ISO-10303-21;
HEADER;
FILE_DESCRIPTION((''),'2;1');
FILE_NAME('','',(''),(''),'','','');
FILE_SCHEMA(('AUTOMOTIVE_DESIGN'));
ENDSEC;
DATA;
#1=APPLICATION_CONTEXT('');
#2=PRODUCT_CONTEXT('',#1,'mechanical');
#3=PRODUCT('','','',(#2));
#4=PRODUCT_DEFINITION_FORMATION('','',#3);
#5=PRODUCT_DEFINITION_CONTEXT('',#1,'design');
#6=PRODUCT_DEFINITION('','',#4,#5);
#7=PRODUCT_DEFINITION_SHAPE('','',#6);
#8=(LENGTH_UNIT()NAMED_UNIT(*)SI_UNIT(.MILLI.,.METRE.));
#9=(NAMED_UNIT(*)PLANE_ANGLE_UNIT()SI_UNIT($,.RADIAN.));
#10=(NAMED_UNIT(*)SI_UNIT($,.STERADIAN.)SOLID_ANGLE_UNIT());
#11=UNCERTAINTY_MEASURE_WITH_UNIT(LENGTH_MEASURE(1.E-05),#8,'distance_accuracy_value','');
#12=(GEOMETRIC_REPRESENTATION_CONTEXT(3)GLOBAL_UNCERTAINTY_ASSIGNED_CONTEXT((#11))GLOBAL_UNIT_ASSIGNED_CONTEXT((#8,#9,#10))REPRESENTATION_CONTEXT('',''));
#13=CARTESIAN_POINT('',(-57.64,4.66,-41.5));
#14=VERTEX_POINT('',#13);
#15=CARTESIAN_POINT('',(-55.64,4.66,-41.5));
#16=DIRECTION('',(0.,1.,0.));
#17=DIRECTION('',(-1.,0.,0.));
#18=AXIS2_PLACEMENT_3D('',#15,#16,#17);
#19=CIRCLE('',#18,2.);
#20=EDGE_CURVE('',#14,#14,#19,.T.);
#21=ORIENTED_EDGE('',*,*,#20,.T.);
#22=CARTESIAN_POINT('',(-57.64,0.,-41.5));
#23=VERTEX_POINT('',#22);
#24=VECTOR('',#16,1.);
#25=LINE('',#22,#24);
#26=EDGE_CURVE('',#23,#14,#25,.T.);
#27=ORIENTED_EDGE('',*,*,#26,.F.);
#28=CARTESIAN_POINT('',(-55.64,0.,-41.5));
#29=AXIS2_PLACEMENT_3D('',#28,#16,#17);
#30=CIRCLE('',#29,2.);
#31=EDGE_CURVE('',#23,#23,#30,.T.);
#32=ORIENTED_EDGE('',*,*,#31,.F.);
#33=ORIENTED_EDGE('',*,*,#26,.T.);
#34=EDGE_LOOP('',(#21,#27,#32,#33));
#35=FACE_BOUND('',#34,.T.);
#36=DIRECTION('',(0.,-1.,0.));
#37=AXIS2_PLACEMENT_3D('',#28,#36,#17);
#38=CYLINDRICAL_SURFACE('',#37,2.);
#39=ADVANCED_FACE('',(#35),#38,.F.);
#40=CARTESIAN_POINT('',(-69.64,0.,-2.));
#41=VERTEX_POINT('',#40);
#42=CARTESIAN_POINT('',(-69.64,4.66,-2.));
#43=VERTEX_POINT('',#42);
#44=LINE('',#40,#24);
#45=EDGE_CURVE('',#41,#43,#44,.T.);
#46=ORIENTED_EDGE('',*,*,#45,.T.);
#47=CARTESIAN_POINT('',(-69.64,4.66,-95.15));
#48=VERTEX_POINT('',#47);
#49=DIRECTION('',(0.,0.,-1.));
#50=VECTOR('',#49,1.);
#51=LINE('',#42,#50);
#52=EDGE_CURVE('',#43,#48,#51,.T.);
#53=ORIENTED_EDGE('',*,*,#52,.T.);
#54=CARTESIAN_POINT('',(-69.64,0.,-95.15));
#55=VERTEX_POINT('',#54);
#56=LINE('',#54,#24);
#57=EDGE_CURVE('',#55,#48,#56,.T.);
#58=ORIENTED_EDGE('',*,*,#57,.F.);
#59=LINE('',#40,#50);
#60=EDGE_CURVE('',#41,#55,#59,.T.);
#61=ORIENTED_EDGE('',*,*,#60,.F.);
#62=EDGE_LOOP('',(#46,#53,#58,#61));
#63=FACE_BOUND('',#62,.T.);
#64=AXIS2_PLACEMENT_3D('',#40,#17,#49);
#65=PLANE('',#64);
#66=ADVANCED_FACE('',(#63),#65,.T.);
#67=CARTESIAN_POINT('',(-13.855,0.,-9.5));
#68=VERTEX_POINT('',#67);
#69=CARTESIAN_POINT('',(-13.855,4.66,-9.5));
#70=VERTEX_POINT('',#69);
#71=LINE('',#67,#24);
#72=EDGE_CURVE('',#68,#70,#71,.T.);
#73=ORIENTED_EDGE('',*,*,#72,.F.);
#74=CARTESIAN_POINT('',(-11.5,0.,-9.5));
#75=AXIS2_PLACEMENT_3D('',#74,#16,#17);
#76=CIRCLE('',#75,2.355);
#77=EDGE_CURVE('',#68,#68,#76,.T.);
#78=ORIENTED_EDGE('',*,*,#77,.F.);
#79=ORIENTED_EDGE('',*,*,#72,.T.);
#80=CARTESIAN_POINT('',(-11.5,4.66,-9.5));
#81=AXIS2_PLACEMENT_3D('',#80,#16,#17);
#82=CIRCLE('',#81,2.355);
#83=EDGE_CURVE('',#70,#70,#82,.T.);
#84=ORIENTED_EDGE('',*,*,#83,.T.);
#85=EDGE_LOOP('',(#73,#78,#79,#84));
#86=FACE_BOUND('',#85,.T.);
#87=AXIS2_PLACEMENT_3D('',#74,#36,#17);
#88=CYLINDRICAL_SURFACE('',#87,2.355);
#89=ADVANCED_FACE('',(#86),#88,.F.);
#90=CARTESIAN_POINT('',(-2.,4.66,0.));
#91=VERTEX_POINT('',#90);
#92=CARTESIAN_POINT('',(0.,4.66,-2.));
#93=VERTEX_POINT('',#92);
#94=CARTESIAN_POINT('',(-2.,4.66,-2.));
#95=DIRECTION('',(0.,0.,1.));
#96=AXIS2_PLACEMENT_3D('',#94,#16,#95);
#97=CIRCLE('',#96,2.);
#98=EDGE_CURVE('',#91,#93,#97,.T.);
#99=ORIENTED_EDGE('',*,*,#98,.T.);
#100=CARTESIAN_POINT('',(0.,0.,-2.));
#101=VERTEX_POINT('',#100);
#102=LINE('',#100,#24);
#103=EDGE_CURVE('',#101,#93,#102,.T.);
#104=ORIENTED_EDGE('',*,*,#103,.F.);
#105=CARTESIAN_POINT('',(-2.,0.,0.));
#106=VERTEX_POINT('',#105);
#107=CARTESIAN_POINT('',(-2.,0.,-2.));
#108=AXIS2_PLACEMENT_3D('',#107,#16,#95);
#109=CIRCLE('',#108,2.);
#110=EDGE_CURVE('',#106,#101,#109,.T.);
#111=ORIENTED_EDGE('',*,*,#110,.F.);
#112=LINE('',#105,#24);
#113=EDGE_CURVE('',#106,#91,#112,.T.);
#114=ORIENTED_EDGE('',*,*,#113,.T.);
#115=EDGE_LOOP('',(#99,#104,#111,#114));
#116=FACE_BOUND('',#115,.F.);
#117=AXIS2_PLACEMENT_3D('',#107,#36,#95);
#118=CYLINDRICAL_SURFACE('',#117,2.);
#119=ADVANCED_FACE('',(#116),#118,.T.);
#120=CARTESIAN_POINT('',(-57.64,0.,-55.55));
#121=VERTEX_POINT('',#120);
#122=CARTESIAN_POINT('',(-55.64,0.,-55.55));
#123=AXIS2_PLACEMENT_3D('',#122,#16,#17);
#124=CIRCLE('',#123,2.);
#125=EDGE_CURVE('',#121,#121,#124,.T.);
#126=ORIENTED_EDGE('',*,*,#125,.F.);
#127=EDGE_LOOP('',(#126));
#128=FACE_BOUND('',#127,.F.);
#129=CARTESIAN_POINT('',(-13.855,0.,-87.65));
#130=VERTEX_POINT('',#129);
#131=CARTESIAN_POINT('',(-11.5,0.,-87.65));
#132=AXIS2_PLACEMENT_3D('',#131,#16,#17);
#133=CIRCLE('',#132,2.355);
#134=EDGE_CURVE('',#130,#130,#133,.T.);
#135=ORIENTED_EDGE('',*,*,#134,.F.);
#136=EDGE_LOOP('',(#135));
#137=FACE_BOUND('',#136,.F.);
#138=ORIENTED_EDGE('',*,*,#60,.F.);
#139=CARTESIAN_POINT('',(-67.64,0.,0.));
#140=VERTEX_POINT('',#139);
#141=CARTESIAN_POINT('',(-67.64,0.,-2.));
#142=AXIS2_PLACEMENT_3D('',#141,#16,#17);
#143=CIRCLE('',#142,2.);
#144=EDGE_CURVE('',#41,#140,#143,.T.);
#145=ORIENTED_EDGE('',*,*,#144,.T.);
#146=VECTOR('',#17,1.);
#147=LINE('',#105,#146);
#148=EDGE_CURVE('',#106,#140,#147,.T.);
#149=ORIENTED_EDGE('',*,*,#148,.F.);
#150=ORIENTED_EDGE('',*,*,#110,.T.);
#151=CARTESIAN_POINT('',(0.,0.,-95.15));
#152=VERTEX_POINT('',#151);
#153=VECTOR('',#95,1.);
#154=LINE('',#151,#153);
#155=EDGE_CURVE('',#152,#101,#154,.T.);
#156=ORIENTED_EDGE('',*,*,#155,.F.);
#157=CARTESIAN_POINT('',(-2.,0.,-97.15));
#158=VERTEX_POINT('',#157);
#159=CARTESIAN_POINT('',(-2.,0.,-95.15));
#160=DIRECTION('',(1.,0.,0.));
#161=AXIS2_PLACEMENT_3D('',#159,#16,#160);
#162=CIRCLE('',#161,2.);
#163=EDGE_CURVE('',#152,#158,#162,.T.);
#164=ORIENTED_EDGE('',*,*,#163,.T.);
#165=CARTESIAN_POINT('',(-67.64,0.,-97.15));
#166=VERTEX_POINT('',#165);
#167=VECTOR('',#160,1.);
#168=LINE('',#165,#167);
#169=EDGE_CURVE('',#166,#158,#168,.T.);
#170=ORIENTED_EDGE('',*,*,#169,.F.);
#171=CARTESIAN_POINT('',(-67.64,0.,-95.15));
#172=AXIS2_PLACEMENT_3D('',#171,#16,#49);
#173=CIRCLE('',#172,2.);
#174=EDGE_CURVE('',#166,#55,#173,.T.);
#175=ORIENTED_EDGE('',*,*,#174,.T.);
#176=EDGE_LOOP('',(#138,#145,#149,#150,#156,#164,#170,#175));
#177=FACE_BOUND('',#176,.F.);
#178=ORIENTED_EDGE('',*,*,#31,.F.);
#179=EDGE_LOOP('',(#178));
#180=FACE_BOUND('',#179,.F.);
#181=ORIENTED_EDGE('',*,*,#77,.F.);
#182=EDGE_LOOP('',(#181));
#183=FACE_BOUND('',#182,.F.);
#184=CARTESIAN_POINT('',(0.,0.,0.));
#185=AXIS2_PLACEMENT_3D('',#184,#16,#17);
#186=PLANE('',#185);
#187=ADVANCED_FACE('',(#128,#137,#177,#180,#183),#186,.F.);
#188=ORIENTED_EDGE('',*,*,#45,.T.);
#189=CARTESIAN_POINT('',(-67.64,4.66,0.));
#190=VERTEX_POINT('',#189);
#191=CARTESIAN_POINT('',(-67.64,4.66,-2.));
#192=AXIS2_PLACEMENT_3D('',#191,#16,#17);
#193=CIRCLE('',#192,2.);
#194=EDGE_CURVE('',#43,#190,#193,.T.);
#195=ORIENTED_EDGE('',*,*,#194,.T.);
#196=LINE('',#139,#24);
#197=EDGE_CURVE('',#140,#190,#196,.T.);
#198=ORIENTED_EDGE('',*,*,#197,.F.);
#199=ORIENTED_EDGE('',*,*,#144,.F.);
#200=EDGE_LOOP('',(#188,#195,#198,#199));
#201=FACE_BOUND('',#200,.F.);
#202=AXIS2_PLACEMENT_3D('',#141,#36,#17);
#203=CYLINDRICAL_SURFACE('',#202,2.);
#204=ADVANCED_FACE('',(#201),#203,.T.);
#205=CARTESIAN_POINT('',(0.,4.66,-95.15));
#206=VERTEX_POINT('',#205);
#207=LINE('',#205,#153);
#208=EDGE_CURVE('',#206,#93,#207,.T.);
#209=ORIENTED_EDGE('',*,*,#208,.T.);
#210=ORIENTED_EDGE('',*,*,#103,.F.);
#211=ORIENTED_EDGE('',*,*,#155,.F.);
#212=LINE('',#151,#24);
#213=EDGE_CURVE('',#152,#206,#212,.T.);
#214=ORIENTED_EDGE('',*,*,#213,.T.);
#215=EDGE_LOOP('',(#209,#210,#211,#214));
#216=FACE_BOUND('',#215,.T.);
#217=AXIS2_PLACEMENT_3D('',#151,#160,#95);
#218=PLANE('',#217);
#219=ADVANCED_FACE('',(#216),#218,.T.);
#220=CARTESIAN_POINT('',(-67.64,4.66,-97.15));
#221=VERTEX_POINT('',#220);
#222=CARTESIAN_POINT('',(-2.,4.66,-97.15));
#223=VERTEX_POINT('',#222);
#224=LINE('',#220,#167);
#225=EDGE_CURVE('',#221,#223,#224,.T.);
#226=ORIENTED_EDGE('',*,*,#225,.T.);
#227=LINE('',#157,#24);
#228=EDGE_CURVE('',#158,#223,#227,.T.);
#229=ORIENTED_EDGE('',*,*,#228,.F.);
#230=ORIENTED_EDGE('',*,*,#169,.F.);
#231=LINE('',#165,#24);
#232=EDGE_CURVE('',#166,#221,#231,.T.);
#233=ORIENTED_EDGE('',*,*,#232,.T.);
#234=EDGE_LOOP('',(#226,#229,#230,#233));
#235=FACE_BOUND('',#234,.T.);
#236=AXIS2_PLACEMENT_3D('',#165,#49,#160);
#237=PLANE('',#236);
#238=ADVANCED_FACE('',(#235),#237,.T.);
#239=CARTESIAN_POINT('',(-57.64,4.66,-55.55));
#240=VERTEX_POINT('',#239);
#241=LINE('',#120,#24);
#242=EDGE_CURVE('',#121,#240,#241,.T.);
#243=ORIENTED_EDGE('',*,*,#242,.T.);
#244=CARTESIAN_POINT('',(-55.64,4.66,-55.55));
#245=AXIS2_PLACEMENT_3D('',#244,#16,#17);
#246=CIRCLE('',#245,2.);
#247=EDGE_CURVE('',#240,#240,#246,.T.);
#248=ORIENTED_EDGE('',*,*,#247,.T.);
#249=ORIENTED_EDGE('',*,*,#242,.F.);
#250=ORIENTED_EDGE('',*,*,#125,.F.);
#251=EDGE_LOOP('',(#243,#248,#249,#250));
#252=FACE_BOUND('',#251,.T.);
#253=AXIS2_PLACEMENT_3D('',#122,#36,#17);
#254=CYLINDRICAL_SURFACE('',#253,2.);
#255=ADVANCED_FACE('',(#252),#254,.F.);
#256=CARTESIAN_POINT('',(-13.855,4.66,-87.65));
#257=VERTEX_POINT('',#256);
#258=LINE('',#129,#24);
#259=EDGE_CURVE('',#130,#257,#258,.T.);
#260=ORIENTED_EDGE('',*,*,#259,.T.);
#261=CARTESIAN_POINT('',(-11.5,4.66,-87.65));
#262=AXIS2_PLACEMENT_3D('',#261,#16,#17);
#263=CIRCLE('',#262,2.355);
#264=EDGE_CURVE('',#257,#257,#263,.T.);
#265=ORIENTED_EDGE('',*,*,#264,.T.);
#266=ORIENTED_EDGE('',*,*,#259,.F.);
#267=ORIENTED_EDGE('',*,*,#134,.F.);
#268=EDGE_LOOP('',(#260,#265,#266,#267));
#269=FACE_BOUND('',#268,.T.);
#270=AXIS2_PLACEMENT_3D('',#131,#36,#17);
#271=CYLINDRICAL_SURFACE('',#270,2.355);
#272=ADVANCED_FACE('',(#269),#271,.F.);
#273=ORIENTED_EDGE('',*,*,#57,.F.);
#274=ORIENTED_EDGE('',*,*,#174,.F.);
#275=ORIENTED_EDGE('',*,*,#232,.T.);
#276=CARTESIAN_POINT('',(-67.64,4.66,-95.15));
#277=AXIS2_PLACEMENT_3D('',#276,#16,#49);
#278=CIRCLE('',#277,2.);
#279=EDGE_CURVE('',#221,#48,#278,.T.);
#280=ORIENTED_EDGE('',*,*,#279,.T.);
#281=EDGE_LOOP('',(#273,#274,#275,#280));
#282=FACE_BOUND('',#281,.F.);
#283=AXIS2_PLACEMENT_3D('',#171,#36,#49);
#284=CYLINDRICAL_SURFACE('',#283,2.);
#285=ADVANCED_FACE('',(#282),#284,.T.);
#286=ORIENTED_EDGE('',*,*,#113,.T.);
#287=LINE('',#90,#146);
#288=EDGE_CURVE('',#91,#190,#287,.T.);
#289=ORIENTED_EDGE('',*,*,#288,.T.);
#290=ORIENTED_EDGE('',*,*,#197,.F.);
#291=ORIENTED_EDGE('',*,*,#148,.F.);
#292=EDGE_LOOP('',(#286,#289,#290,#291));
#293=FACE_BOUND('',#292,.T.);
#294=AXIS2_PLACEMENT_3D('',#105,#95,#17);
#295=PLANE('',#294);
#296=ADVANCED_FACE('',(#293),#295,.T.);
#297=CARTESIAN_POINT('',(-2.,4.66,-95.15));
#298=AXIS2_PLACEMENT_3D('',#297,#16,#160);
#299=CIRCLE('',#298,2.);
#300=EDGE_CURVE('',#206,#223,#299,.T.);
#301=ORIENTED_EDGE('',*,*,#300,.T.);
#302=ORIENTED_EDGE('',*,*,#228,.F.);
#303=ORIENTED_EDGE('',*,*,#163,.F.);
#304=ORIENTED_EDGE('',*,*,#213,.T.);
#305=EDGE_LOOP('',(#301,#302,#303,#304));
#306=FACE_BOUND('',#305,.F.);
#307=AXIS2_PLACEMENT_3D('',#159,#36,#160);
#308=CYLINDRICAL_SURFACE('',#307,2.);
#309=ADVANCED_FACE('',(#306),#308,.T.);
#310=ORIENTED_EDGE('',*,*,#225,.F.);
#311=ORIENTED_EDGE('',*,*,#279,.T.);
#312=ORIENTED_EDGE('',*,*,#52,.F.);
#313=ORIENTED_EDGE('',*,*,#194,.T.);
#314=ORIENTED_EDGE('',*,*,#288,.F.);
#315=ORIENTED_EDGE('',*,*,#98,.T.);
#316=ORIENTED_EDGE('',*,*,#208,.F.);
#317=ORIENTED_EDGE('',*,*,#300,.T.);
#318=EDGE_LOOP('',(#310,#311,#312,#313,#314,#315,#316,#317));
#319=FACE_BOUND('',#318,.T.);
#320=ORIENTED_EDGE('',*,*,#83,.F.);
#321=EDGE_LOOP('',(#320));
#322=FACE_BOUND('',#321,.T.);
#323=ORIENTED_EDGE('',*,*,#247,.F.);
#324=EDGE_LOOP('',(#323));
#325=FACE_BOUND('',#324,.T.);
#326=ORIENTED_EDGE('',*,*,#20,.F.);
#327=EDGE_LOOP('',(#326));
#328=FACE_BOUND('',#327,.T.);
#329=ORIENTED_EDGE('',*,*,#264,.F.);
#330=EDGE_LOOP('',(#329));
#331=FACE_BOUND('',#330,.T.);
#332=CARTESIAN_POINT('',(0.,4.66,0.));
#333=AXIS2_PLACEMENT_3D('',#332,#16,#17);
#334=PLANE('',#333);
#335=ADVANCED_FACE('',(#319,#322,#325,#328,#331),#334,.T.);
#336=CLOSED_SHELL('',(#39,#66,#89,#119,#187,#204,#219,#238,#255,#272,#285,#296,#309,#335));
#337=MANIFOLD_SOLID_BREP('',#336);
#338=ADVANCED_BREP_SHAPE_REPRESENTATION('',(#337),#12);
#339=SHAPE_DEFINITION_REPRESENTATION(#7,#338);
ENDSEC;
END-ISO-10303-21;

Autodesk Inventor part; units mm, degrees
ref_plane "YZ Plane" through (0, 0, 0) normal (1, 0, 0) x (0, 1, 0)
ref_plane "XZ Plane" through (0, 0, 0) normal (0, 1, 0) x (-1, 0, 0)
ref_plane "XY Plane" through (0, 0, 0) normal (0, 0, 1) x (1, 0, 0)
sketch "Sketch1" plane through (0, 0, 0) normal (0, 1, 0) x (-1, 0, 0)
  line L0 (2, 0) -> (67.64, 0)
  line L1 (69.64, -2) -> (69.64, -95.15)
  line L2 (67.64, -97.15) -> (2, -97.15)
  line L3 (0, -95.15) -> (0, -2)
  circle A0 centre (11.5, -9.5) radius 2.355
  circle A1 centre (11.5, -87.65) radius 2.355
  arc A2 (69.64, -2) -> (67.64, 0) centre (67.64, -2) ccw
  arc A3 (67.64, -97.15) -> (69.64, -95.15) centre (67.64, -95.15) ccw
  arc A4 (2, 0) -> (0, -2) centre (2, -2) ccw
  arc A5 (0, -95.15) -> (2, -97.15) centre (2, -95.15) ccw
  circle A6 centre (55.64, -41.5) radius 2
  circle A7 centre (55.64, -55.55) radius 2
  point P0 (0, 0)
  point P1 (69.64, -97.15)
  point P2 (69.64, 0)
  point P3 (0, -97.15)
  dimension "d0" = 69.64
  dimension "d1" = 97.15
  dimension "d2" = 4.71
  dimension "d3" = 4.71
  dimension "d4" = 9.5
  dimension "d5" = 9.5
  dimension "d6" = 11.5
  dimension "d7" = 11.5
  dimension "d8" = 2
  dimension "d9" = 4
  dimension "d10" = 4
  dimension "d11" = 14
  dimension "d12" = 14
  dimension "d13" = 41.5
  dimension "d14" = 41.6
extrude "Extrusion1" add sketch "Sketch1" along normal blind 4.66
properties part number "Neje_Sidewall_0"
